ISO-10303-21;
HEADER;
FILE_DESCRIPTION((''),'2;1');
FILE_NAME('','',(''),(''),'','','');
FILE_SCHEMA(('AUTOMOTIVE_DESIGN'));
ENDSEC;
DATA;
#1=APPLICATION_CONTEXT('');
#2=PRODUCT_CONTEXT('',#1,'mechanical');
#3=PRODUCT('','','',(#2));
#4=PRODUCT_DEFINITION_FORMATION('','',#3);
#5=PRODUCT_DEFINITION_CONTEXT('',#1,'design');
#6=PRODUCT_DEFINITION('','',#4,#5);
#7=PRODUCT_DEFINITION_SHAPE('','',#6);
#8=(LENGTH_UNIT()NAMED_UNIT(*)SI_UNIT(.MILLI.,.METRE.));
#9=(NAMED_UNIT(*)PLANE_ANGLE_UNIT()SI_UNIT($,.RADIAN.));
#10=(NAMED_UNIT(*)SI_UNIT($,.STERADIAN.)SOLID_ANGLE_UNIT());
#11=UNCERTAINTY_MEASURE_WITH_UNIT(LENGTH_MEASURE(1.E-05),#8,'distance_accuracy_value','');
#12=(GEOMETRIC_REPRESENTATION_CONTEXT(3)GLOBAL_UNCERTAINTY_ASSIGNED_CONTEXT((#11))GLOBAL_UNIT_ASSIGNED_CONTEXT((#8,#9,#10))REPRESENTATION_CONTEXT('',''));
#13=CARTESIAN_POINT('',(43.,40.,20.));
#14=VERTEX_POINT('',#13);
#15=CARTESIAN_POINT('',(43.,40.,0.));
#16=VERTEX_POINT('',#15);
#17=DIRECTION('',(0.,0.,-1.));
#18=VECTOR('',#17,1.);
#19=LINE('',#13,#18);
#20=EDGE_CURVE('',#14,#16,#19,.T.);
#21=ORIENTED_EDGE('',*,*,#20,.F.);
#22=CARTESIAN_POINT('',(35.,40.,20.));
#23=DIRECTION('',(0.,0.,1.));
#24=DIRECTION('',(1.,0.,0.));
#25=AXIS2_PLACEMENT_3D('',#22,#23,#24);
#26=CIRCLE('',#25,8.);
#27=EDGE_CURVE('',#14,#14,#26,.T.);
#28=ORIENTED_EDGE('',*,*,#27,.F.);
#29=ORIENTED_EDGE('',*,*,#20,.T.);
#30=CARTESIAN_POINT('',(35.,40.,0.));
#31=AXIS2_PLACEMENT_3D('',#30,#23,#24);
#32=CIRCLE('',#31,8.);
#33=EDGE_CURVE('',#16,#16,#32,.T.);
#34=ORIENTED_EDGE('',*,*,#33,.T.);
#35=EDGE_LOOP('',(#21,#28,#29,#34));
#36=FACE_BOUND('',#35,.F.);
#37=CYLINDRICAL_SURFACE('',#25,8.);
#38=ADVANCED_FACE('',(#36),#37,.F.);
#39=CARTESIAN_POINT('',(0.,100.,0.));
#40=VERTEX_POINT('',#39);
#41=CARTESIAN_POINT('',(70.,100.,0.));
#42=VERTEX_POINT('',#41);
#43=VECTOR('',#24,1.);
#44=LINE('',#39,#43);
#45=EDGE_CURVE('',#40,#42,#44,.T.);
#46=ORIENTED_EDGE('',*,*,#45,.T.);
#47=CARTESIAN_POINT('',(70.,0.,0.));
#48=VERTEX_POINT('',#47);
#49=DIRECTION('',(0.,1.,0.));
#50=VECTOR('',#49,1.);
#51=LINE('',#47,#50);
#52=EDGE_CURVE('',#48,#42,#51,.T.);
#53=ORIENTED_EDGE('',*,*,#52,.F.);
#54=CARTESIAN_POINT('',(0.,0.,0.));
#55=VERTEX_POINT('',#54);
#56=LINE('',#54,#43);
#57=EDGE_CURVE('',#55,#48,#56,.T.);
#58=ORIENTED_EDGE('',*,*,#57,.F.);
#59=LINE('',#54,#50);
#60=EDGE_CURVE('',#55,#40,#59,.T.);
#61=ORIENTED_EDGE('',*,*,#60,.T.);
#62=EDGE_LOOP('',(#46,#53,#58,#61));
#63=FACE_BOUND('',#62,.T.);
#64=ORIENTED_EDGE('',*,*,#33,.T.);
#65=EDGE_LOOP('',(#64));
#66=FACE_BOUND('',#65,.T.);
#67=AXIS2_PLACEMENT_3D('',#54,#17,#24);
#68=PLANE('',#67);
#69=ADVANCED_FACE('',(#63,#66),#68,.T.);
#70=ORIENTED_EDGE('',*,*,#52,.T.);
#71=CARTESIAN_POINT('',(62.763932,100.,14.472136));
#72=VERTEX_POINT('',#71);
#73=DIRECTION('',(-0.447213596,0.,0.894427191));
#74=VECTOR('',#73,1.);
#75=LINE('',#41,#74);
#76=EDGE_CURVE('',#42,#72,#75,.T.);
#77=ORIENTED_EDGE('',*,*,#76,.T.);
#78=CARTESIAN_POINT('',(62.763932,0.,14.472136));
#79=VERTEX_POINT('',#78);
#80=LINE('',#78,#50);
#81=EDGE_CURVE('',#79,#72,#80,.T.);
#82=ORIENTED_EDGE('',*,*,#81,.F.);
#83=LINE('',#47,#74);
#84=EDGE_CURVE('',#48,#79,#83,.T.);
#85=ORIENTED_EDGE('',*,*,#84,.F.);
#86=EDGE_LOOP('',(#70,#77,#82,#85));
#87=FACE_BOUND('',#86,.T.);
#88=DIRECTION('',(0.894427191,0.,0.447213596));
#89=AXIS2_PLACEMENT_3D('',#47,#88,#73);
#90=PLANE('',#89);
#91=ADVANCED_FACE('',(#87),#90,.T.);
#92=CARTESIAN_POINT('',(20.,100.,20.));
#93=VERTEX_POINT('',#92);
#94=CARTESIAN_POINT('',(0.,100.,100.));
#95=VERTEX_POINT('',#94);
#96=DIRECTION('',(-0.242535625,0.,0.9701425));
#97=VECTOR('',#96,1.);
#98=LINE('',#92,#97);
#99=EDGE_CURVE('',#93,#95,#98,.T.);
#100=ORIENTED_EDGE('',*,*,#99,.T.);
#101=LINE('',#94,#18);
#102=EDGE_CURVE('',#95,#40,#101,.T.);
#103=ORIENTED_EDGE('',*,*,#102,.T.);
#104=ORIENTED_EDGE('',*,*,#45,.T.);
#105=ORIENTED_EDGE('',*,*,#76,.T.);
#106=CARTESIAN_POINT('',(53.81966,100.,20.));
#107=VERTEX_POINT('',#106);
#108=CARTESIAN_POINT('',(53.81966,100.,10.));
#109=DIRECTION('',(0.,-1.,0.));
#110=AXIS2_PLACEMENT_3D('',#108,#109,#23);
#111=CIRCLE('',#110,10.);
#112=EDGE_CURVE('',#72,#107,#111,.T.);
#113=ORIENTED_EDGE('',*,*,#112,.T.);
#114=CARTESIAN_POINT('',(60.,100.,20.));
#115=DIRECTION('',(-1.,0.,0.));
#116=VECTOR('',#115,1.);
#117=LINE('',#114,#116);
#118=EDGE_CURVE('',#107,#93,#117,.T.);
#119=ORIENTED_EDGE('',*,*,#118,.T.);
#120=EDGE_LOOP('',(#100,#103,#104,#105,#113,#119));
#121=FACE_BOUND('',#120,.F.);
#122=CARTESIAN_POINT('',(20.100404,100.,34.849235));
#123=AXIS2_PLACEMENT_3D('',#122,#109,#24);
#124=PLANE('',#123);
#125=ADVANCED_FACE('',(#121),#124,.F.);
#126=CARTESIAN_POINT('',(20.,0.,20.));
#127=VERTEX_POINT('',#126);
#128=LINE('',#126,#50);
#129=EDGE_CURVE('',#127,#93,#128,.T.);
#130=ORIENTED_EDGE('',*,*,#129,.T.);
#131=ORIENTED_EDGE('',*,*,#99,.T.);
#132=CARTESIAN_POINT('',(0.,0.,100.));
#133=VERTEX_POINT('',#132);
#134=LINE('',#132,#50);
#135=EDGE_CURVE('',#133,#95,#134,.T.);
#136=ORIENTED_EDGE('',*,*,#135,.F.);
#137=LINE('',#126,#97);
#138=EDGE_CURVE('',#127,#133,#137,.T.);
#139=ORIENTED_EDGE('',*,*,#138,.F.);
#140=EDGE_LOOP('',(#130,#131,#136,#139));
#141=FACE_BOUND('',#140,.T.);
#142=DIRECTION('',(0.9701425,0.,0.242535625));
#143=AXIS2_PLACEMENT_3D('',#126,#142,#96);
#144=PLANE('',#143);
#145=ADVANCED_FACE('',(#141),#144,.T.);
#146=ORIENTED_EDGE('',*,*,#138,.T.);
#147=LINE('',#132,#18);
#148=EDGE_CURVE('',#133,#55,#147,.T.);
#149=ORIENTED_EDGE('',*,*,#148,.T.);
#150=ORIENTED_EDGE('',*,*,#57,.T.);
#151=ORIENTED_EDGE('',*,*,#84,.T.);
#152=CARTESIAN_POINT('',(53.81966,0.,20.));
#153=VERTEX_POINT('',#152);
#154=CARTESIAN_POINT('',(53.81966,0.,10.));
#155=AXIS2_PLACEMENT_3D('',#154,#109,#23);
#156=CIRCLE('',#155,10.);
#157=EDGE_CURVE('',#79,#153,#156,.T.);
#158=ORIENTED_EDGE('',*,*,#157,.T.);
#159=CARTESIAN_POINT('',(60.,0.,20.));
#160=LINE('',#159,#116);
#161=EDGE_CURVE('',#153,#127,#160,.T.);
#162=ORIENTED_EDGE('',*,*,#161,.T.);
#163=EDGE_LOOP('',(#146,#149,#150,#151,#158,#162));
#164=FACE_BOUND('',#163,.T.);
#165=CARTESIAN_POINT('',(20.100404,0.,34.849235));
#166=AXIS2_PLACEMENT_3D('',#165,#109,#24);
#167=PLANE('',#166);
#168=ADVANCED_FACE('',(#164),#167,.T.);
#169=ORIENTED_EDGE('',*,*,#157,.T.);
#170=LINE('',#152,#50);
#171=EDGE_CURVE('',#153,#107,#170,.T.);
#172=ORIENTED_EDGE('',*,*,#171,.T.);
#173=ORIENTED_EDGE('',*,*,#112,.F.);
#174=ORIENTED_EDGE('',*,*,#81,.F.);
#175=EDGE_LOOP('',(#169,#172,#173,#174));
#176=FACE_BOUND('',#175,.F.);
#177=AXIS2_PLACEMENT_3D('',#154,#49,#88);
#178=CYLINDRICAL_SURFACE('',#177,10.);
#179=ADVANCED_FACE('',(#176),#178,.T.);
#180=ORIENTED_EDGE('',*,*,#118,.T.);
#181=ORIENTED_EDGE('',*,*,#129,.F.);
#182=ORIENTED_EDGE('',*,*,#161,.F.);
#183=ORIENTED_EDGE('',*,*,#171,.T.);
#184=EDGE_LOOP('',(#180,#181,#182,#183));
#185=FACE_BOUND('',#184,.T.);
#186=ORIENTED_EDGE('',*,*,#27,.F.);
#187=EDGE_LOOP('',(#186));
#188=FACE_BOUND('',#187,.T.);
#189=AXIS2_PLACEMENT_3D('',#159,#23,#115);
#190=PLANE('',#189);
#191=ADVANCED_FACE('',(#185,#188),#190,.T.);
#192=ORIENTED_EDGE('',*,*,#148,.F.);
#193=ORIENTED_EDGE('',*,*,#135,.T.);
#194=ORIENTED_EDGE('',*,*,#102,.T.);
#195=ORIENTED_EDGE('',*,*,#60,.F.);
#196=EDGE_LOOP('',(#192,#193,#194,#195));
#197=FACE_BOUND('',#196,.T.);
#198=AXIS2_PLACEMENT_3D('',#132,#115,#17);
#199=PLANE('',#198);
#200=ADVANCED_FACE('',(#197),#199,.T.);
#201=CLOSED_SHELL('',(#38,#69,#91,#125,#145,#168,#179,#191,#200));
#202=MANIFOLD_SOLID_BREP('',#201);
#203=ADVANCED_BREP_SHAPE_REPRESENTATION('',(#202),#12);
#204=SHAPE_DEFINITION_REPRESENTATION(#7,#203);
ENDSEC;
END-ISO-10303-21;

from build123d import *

# Parameters (mm, degrees)
F1_DEPTH = 100
F2_R     = 10
F3_R     = 8
F4_DEPTH = 20.001


with BuildPart() as f1:
    # F0 (on Front) → F1 (new body)
    with BuildSketch(Plane.XZ):
        Polygon((0, 100), (0, 0), (70, 0), (60, 20), (20, 20), align=None)
    extrude(amount=-F1_DEPTH)

    # F2
    f2_edges = [f1.edges().sort_by_distance(p)[0] for p in [
        (60, 50, 20),
    ]]
    fillet(f2_edges, radius=F2_R)

    # F3 (on face) → F4 (cut, through all)
    with BuildSketch(Plane.XY.offset(20)):
        with Locations((35, 40)):
            Circle(F3_R)
    extrude(amount=-F4_DEPTH, mode=Mode.SUBTRACT)


solid = f1.part
